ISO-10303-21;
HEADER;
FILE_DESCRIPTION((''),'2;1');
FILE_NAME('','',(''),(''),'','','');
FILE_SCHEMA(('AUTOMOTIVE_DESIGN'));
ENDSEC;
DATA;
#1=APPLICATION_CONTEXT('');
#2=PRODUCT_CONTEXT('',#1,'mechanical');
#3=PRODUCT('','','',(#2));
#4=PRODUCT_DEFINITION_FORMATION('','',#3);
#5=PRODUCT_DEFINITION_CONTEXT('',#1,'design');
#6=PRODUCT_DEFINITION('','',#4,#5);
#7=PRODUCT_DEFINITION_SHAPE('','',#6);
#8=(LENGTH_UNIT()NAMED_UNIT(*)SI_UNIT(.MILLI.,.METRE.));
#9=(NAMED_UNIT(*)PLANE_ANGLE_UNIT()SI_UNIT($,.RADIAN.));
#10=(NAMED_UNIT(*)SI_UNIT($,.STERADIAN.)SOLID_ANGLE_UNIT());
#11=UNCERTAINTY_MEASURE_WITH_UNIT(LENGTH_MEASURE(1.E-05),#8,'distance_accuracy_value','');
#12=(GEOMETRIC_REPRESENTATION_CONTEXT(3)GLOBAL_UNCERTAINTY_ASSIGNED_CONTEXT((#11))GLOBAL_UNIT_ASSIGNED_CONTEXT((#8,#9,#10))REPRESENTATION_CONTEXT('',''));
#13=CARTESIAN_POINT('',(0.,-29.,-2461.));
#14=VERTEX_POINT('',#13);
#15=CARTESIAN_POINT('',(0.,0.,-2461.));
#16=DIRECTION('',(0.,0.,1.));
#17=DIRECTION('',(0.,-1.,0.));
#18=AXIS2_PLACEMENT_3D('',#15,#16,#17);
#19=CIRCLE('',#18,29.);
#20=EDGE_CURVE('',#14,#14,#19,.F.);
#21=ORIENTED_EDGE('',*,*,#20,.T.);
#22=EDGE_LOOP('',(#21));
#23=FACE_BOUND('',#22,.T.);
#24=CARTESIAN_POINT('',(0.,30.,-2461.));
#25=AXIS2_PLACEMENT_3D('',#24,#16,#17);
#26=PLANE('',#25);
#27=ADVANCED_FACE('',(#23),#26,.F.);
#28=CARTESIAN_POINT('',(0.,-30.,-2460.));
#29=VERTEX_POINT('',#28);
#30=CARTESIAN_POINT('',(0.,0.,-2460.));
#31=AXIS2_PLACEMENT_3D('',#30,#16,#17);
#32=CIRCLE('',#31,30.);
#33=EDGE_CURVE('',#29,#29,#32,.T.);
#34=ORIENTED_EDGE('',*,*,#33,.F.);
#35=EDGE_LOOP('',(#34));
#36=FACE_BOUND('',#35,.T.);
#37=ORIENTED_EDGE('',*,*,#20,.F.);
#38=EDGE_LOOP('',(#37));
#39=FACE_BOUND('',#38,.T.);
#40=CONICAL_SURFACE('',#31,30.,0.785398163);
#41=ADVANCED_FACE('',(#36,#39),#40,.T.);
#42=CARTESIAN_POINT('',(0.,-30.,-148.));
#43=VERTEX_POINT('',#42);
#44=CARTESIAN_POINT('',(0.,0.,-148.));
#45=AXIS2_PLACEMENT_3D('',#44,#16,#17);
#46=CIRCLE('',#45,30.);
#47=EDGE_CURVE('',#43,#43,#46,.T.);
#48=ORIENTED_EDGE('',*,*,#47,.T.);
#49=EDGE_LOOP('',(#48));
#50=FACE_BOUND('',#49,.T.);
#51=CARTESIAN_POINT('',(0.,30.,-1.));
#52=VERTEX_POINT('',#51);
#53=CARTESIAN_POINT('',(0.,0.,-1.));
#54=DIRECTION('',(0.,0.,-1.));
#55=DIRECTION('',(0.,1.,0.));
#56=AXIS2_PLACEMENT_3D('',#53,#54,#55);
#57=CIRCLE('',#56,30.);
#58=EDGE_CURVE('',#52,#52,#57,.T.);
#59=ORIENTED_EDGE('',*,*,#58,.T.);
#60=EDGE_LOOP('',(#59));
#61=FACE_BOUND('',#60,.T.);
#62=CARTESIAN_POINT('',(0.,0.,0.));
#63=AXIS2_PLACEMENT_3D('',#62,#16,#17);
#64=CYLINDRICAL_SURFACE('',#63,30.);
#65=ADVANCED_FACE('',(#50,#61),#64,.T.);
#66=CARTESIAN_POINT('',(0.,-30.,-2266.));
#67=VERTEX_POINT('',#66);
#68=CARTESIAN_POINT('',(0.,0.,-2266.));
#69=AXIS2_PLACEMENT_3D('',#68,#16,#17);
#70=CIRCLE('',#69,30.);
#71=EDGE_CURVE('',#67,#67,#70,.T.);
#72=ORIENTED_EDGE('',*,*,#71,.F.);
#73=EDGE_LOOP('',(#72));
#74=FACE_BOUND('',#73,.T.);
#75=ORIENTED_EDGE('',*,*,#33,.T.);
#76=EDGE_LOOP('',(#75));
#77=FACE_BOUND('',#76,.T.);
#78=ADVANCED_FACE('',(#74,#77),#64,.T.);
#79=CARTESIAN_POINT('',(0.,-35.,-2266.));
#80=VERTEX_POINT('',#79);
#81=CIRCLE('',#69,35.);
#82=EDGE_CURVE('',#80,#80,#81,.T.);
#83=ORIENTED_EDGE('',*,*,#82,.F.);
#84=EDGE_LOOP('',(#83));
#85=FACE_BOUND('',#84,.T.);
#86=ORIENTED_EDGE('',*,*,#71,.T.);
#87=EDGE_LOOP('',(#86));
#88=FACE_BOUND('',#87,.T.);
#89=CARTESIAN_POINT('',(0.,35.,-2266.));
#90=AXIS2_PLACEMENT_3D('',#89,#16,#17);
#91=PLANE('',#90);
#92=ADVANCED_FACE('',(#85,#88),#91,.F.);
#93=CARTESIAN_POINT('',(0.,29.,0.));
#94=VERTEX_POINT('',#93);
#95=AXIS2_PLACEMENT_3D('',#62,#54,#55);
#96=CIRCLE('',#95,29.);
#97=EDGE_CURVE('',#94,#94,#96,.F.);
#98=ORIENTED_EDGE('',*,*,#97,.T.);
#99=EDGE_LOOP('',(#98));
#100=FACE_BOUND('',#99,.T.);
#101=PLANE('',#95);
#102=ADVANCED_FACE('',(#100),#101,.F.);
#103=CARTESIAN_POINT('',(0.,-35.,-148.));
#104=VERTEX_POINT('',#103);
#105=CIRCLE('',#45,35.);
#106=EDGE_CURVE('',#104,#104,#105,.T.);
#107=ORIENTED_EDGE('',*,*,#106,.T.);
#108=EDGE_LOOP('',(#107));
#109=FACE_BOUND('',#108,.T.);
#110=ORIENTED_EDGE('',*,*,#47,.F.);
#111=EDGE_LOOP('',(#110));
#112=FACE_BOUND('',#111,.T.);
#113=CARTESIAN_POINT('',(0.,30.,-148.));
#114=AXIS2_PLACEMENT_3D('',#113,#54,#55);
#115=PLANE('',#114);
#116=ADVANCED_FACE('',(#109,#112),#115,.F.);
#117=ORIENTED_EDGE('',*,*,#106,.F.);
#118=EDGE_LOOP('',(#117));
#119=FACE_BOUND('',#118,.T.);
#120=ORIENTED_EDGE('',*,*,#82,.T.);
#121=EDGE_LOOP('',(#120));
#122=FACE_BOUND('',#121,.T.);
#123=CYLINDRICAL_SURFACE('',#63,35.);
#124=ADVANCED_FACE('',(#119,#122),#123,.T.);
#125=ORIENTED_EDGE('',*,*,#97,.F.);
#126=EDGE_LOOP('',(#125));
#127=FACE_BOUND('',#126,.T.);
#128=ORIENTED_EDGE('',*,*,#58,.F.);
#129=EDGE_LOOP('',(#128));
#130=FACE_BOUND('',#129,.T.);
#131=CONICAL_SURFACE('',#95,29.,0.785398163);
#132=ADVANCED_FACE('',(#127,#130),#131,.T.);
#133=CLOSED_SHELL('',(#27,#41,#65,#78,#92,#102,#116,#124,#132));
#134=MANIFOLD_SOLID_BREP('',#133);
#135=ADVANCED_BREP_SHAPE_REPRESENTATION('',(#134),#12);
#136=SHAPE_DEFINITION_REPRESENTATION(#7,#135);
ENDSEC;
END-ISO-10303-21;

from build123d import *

# Parameters (mm, degrees)
CHAMFER_1_SIZE = 1
CHAMFER_2_SIZE = 1


with BuildPart() as part:
    # 草图1 → 旋转1 (revolve)
    with BuildSketch(Plane(origin=(0, 0, 0), x_dir=(0, 0, -1), z_dir=(1, 0, 0))):
        Polygon((0, 0), (0, 30), (148, 30), (148, 35), (2266, 35), (2266, 30), (2461, 30), (2461, 0), align=None)
    revolve(axis=Axis((0, 0, 0), (0, 0, -1)))

    # 倒角1
    chamfer_1_edges = [part.edges().sort_by_distance(p)[0] for p in [
        (0, -30, -2461),
    ]]
    chamfer(chamfer_1_edges, length=CHAMFER_1_SIZE)

    # 倒角2
    chamfer_2_edges = [part.edges().sort_by_distance(p)[0] for p in [
        (0, -30, 0),
    ]]
    chamfer(chamfer_2_edges, length=CHAMFER_2_SIZE)


solid = part.part
